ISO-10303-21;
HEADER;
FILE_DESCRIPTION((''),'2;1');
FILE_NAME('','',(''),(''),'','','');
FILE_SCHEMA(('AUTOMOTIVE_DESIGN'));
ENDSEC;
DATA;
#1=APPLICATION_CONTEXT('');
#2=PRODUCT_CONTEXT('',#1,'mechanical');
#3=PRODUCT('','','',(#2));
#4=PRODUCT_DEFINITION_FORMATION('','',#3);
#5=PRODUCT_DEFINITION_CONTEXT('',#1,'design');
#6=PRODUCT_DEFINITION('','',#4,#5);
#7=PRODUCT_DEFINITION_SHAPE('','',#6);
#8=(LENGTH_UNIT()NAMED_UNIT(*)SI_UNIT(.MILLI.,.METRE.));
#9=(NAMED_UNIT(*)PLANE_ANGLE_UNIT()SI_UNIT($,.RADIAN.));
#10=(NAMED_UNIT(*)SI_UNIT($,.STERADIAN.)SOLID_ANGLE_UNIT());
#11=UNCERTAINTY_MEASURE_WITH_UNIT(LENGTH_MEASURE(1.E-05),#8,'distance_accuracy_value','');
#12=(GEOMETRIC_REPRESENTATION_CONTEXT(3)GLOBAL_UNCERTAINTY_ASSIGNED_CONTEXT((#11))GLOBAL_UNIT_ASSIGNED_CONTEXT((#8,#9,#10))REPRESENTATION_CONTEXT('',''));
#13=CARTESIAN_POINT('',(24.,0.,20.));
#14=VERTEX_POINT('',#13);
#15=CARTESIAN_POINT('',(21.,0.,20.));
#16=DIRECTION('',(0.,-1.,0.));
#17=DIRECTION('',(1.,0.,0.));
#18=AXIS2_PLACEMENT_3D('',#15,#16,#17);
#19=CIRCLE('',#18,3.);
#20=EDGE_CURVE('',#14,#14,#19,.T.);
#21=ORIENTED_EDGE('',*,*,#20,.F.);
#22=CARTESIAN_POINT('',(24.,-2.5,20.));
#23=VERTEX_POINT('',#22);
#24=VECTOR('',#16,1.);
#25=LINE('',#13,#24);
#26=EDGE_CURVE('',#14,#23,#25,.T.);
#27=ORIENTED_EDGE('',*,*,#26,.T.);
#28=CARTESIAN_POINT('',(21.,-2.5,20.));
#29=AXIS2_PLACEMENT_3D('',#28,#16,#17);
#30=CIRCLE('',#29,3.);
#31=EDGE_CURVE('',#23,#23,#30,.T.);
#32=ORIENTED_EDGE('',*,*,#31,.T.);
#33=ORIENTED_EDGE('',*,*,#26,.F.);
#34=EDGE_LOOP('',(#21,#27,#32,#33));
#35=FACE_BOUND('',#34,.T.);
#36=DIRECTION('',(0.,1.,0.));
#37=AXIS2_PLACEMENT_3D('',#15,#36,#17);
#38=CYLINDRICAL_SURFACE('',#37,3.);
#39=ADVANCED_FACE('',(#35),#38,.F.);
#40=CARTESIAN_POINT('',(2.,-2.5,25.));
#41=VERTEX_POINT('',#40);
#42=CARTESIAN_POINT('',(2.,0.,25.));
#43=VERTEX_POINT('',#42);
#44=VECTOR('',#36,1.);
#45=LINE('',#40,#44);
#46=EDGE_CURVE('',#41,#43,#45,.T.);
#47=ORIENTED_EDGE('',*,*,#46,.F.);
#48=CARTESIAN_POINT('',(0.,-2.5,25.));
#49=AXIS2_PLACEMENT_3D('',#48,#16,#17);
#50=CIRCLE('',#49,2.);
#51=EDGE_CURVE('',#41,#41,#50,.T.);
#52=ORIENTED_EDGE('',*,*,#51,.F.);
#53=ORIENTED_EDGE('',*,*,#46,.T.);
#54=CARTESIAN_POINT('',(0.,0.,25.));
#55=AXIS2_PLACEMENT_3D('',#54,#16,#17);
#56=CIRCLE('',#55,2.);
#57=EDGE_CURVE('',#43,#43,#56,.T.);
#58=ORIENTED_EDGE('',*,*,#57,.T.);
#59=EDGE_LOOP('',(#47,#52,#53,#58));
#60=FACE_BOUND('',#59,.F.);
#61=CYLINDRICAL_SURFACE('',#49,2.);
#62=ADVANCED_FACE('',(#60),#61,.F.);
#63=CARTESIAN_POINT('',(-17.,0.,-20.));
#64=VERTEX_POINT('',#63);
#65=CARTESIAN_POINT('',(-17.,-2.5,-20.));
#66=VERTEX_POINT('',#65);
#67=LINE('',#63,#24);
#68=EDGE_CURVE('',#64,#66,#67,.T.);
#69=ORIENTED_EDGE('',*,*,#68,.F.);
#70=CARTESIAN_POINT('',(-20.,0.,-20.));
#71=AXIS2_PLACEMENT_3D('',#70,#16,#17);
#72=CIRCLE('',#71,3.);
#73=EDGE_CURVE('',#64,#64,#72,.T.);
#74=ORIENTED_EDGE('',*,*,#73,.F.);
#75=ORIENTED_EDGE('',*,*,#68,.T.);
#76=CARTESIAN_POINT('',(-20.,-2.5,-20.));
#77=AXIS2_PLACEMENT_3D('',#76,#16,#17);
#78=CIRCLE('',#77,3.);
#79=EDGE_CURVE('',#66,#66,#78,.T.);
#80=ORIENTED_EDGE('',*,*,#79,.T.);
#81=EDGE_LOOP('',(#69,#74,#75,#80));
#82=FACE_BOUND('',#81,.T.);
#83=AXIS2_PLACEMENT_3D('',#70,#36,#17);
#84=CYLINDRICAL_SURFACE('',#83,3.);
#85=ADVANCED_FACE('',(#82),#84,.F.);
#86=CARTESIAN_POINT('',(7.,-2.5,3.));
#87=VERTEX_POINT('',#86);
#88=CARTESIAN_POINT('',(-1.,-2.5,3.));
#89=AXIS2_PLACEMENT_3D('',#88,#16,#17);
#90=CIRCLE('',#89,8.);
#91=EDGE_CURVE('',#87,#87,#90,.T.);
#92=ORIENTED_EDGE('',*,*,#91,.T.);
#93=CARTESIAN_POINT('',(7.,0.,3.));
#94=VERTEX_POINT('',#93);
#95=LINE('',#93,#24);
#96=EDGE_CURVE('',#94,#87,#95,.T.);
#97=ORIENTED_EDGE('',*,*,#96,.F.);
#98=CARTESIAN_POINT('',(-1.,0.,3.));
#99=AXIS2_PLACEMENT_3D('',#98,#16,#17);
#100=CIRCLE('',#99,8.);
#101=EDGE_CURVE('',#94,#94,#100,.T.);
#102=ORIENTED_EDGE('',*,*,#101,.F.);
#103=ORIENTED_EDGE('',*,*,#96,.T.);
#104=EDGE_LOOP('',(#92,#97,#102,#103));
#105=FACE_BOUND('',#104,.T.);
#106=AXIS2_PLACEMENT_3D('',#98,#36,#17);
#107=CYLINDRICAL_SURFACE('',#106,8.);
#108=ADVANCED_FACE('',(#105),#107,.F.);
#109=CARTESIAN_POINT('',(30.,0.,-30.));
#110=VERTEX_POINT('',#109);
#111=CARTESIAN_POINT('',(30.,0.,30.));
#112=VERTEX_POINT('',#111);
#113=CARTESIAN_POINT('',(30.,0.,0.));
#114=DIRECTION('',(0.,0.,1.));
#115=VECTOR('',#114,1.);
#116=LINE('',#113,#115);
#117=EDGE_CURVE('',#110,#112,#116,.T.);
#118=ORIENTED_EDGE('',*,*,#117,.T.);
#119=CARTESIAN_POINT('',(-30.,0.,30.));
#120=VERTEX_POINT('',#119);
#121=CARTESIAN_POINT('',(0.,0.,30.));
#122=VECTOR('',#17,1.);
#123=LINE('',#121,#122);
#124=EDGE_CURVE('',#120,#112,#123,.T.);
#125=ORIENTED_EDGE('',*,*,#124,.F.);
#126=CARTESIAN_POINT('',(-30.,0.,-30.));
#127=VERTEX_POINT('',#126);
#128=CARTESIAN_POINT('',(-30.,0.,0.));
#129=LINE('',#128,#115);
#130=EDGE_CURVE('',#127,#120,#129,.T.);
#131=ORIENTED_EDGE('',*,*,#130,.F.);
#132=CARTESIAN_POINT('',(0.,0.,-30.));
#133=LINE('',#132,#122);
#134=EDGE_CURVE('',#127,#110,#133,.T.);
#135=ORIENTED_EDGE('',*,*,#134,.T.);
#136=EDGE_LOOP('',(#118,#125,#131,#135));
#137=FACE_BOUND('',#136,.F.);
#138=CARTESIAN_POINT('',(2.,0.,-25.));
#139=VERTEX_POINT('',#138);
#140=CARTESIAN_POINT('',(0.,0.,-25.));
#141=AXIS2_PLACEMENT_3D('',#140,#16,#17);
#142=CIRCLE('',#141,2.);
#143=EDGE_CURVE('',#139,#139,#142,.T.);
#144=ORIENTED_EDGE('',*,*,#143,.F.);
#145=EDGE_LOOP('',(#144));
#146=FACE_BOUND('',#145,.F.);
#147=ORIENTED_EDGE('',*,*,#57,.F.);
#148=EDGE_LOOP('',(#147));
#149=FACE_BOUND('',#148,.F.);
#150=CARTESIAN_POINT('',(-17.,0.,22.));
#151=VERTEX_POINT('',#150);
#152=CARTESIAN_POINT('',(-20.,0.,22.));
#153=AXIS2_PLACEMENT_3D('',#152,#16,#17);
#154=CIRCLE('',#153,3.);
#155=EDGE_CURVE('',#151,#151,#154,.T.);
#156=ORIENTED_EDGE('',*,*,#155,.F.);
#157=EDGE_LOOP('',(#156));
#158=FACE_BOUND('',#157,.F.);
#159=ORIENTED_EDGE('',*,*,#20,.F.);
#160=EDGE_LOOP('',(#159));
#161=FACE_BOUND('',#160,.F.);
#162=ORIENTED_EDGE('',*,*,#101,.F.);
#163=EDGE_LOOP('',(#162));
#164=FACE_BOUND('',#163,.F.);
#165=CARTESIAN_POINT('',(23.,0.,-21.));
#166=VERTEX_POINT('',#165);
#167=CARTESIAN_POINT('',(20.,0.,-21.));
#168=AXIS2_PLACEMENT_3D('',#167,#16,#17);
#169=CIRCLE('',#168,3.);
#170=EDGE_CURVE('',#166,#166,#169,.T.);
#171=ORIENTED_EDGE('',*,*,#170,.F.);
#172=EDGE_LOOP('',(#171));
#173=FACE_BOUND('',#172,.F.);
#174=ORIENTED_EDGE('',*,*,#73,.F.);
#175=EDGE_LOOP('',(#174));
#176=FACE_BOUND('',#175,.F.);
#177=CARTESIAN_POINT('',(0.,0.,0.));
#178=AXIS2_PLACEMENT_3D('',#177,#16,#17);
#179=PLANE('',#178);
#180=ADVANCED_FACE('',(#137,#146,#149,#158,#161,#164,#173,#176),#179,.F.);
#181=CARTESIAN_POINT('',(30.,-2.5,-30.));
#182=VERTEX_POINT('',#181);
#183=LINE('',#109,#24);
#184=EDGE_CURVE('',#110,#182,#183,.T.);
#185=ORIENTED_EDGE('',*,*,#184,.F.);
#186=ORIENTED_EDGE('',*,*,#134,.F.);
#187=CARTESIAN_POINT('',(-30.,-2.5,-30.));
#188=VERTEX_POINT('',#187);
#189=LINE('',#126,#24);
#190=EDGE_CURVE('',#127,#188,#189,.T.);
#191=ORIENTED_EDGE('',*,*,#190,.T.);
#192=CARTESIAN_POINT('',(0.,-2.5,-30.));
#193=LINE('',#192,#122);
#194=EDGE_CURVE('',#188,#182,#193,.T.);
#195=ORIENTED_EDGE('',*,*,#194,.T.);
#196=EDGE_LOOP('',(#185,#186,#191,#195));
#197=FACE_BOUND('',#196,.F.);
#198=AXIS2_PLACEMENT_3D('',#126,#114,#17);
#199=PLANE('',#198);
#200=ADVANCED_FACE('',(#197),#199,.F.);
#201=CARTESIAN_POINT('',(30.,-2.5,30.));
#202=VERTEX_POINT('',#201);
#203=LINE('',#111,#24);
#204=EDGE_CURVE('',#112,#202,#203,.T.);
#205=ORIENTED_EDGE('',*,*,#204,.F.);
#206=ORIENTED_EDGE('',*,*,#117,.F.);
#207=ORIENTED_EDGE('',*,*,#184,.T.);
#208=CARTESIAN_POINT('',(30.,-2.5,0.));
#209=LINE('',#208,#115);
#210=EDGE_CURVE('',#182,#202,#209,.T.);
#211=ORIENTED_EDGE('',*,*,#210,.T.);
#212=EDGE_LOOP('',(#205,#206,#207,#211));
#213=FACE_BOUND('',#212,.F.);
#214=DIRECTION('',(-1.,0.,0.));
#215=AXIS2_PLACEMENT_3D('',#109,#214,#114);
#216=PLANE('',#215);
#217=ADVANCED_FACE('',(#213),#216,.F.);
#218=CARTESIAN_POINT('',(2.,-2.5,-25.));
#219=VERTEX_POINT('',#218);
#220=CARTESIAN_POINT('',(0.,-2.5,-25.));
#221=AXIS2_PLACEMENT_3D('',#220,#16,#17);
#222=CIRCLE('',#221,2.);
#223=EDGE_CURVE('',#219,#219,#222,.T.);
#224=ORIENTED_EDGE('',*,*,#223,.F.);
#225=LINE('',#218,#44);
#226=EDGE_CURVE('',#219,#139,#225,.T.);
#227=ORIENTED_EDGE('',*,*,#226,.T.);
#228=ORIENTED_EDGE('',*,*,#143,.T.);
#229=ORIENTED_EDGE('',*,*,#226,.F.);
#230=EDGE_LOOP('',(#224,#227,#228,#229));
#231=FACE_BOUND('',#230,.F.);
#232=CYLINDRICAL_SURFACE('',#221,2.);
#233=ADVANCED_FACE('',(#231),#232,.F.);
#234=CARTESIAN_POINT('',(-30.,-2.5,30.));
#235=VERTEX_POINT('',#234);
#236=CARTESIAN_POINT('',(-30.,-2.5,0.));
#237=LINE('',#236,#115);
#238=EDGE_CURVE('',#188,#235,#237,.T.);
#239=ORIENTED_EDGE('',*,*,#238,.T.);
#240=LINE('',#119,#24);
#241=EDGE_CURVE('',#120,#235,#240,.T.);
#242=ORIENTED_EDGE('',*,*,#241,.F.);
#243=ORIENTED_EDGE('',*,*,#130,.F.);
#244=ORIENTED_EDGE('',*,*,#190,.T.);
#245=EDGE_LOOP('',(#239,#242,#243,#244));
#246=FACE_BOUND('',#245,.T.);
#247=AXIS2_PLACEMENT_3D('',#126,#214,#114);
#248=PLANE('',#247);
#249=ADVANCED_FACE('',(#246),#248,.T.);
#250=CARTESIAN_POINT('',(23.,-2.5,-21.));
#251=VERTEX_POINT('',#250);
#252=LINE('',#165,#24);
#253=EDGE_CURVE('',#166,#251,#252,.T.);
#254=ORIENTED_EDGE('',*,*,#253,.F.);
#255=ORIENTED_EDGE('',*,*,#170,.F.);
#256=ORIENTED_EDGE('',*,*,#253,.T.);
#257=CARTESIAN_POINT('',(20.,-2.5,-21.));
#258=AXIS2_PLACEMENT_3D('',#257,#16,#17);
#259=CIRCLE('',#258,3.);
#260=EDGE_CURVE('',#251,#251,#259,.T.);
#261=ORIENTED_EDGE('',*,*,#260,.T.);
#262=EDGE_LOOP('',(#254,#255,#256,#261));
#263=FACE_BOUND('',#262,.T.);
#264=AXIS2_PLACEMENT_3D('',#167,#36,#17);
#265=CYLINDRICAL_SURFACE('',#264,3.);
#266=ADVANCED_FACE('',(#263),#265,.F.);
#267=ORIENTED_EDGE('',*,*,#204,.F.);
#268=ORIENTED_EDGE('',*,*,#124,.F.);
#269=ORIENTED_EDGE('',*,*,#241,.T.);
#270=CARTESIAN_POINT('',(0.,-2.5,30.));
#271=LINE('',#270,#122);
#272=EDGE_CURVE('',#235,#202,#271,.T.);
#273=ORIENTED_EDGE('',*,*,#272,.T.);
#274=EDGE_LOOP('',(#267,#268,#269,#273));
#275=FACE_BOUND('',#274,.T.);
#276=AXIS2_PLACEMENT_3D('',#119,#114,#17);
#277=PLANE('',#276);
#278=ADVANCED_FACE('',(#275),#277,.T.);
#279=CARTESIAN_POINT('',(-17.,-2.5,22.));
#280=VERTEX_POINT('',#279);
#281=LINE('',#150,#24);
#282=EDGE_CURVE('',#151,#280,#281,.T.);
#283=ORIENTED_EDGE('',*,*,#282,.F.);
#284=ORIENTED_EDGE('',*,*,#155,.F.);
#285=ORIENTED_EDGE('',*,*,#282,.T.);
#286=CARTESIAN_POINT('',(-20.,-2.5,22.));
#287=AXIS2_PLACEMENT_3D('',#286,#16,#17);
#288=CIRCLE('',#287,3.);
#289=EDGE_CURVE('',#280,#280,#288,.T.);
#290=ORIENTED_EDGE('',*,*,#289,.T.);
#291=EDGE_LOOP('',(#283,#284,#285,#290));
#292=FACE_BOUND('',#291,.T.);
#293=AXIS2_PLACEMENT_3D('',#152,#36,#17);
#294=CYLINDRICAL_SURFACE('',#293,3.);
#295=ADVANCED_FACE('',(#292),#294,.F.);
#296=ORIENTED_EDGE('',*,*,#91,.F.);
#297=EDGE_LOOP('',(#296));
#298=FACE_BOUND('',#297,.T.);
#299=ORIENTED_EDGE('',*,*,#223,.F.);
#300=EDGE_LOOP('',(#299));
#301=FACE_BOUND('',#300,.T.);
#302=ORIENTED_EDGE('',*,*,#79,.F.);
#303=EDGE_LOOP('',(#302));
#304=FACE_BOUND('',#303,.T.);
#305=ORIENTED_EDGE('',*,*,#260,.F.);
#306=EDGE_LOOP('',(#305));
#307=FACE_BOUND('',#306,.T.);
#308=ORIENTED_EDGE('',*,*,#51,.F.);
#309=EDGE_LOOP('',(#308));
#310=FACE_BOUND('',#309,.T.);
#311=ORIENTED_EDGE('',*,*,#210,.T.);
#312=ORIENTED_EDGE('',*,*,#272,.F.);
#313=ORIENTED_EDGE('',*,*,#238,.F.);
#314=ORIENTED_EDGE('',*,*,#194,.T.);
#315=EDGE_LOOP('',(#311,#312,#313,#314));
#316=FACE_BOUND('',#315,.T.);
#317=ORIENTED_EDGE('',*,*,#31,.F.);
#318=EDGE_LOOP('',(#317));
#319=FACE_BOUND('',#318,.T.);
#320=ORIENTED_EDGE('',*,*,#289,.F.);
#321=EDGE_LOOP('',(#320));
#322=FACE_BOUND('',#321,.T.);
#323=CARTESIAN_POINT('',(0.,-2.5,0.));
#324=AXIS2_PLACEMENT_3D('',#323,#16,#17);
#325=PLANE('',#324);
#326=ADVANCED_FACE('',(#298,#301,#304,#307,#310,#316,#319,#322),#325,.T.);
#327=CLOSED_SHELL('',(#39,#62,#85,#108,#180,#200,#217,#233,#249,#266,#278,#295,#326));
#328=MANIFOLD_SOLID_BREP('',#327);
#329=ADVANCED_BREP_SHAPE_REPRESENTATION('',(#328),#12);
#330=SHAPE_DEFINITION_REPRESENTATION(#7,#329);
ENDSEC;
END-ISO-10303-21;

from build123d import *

# Parameters (mm, degrees)
F0_W     = 60
F0_H     = 60
F0_R     = 3
F0_R_2   = 8
F1_DEPTH = 2.5
F3_R     = 2
F4_DEPTH = 25


with BuildPart() as f1:
    # F0 (on Front) → F1 (new body)
    with BuildSketch(Plane.XZ):
        Rectangle(F0_W, F0_H)
        with Locations((-20, -20)):
            Circle(F0_R, mode=Mode.SUBTRACT)
        with Locations((20, -21)):
            Circle(F0_R, mode=Mode.SUBTRACT)
        with Locations((-1, 3)):
            Circle(F0_R_2, mode=Mode.SUBTRACT)
        with Locations((-20, 22)):
            Circle(F0_R, mode=Mode.SUBTRACT)
        with Locations((21, 20)):
            Circle(F0_R, mode=Mode.SUBTRACT)
    extrude(amount=F1_DEPTH)

    # F3 (on face) → F4 (cut)
    with BuildSketch(Plane.XZ.offset(2.5)):
        with Locations((0, 25)):
            Circle(F3_R)
        with Locations((0, -25)):
            Circle(F3_R)
    extrude(amount=-F4_DEPTH, mode=Mode.SUBTRACT)


solid = f1.part
